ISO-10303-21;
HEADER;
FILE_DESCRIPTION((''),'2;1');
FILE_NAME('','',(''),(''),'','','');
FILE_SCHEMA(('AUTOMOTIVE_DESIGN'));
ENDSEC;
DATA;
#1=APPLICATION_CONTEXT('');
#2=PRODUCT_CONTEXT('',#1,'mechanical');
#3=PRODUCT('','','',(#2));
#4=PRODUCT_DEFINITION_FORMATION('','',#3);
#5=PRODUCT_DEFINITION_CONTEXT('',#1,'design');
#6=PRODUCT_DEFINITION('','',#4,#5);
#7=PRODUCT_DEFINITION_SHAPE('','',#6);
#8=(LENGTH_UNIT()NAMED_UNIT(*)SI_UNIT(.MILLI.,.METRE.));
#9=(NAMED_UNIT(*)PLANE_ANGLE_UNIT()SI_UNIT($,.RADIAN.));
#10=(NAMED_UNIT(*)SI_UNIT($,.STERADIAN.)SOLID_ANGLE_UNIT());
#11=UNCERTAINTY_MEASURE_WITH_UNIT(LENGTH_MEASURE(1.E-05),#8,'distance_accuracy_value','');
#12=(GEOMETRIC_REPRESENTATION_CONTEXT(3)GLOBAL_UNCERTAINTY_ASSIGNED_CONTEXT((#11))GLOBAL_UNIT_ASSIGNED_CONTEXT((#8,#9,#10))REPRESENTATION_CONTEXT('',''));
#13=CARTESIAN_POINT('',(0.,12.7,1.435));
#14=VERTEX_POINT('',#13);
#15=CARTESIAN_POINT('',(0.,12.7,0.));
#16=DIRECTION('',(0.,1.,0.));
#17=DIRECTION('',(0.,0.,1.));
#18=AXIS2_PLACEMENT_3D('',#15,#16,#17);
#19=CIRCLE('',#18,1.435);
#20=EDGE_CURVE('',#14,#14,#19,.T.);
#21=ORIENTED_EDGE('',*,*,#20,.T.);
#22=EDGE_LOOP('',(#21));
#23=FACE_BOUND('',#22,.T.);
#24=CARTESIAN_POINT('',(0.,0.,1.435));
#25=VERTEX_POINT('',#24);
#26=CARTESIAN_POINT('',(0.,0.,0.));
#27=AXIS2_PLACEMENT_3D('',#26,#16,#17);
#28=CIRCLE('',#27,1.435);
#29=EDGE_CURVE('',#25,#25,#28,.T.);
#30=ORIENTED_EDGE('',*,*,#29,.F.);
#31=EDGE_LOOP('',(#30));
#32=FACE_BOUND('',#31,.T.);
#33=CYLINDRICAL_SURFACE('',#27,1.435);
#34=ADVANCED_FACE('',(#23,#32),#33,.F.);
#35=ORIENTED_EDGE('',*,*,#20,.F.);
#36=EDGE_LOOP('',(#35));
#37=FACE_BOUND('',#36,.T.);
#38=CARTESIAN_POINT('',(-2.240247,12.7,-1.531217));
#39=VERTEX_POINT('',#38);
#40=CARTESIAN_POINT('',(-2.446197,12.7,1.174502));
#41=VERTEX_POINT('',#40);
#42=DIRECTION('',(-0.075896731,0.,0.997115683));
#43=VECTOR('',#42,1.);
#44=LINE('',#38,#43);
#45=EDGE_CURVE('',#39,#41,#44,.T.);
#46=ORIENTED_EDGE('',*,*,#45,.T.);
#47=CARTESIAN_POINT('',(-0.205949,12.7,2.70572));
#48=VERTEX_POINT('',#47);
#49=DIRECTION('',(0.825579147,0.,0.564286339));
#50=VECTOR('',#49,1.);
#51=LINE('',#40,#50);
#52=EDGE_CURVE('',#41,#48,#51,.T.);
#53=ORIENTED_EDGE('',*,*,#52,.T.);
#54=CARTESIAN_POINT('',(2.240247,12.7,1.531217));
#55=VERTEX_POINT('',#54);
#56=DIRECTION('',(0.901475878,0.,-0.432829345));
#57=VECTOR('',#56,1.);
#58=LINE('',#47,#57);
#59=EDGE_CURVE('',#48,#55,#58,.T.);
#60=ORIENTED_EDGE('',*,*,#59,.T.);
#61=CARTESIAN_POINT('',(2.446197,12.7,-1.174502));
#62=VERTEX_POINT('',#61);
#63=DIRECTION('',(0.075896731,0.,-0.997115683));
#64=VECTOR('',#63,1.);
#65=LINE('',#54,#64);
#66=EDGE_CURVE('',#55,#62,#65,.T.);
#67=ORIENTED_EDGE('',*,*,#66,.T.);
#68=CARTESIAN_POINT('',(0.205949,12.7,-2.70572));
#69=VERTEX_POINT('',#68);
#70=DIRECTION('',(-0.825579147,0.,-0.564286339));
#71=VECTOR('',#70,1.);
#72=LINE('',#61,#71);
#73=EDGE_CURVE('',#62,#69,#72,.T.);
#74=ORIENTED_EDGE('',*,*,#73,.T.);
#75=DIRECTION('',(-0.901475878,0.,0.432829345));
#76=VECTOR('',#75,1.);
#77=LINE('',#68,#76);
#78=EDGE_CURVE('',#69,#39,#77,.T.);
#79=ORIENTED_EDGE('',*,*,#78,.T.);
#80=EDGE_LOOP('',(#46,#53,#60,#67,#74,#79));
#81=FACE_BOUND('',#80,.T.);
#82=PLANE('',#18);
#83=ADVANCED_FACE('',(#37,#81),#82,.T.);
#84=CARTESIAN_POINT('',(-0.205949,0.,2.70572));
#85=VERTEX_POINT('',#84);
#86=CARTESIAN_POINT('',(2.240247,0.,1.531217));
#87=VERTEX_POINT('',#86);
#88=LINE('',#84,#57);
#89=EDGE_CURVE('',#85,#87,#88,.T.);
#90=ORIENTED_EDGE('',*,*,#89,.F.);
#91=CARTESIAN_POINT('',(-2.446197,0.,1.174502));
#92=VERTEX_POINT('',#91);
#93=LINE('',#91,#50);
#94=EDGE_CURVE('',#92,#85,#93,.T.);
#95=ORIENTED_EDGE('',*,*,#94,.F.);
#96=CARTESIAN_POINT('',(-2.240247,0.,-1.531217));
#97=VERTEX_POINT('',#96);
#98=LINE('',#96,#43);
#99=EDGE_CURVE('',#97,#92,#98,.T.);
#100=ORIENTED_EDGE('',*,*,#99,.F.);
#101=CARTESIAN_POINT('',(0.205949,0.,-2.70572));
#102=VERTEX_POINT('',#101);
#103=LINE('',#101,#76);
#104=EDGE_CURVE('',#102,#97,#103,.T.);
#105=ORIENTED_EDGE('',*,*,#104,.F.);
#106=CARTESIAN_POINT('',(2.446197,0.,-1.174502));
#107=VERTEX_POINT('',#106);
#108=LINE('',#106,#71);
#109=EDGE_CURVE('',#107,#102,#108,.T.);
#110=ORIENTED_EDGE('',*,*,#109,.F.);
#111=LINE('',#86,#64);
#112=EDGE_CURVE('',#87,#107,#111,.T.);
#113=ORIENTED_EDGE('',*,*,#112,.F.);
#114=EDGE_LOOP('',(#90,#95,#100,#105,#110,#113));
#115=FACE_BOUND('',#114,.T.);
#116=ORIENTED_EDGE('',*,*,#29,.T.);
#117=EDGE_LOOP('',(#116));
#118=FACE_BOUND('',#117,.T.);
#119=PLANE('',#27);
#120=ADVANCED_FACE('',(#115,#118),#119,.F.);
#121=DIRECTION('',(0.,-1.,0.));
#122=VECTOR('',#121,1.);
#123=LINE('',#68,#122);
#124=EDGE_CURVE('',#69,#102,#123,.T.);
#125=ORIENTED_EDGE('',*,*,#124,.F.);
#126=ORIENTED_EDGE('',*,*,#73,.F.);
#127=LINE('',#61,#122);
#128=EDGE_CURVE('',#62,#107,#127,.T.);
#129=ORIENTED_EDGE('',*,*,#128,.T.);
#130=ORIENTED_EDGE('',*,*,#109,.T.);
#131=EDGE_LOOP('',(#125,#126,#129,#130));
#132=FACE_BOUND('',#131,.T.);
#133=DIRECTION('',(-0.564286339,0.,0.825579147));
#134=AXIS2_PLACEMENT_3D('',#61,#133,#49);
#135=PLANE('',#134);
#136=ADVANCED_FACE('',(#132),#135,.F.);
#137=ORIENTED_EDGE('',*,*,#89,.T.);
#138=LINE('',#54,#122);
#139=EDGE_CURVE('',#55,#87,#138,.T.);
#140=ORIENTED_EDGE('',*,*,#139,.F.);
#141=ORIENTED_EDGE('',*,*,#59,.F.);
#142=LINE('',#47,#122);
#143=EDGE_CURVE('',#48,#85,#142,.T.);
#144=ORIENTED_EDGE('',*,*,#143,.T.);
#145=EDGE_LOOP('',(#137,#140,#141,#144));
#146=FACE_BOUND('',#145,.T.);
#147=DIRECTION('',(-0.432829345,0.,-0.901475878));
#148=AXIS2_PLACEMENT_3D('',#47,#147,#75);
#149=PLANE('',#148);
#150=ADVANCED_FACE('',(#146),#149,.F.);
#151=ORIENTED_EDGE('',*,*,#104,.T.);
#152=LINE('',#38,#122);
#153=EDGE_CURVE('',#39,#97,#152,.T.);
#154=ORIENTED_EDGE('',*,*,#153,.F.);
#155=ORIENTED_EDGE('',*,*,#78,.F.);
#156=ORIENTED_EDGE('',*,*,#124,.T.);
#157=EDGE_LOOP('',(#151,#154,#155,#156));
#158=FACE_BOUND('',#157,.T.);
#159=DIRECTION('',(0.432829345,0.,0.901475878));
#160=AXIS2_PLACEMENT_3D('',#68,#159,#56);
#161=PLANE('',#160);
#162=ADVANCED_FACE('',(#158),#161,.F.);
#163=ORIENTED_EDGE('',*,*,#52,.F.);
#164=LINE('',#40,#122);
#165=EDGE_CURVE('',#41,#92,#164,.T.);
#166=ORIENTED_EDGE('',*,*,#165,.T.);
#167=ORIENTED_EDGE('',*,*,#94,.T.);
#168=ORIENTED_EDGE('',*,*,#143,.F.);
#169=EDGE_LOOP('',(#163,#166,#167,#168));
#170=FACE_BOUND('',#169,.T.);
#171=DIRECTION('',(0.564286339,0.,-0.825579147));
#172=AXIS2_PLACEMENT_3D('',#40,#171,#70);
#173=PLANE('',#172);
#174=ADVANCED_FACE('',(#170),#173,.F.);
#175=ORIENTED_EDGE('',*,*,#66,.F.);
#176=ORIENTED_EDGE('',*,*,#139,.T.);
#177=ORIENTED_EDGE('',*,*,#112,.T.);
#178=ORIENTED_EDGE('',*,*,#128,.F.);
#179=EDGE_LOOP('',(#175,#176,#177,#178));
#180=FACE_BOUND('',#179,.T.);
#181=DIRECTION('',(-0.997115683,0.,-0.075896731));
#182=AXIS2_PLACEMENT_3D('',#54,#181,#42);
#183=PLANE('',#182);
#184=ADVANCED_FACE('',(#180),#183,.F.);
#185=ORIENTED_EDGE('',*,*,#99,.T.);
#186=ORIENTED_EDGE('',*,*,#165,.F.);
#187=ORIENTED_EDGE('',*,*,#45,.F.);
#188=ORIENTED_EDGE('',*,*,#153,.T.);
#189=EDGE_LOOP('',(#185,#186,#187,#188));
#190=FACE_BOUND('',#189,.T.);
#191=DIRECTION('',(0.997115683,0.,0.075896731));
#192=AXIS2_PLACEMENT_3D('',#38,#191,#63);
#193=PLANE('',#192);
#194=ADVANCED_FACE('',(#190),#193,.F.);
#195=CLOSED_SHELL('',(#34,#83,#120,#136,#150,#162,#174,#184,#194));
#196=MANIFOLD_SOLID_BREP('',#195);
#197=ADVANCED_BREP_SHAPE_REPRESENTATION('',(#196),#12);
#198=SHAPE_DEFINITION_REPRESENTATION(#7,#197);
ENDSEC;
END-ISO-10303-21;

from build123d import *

# Parameters (mm, degrees)
BOSS_EXTRUDE1_DEPTH = 12.7
SKETCH2_R           = 1.435
CUT_EXTRUDE1_DEPTH  = 14.213432391


with BuildPart() as part:
    # Sketch1 → Boss-Extrude1 (new body)
    with BuildSketch(Plane(origin=(0, 0, 0), x_dir=(1, 0, 0), z_dir=(0, 1, 0))):
        Polygon((2.446196502, 1.174502451), (0.205949291, 2.705719539), (-2.240247211, 1.531217087), (-2.446196502, -1.174502451), (-0.205949291, -2.705719539), (2.240247211, -1.531217087), align=None)
    extrude(amount=BOSS_EXTRUDE1_DEPTH)

    # Sketch2 → Cut-Extrude1 (cut, through all)
    with BuildSketch(Plane(origin=(0, 12.7, 0), x_dir=(1, 0, 0), z_dir=(0, 1, 0))):
        with Locations(Location((0, 0, 0), (0, 0, 270))):
            Circle(SKETCH2_R)
    extrude(amount=-CUT_EXTRUDE1_DEPTH, mode=Mode.SUBTRACT)


solid = part.part
